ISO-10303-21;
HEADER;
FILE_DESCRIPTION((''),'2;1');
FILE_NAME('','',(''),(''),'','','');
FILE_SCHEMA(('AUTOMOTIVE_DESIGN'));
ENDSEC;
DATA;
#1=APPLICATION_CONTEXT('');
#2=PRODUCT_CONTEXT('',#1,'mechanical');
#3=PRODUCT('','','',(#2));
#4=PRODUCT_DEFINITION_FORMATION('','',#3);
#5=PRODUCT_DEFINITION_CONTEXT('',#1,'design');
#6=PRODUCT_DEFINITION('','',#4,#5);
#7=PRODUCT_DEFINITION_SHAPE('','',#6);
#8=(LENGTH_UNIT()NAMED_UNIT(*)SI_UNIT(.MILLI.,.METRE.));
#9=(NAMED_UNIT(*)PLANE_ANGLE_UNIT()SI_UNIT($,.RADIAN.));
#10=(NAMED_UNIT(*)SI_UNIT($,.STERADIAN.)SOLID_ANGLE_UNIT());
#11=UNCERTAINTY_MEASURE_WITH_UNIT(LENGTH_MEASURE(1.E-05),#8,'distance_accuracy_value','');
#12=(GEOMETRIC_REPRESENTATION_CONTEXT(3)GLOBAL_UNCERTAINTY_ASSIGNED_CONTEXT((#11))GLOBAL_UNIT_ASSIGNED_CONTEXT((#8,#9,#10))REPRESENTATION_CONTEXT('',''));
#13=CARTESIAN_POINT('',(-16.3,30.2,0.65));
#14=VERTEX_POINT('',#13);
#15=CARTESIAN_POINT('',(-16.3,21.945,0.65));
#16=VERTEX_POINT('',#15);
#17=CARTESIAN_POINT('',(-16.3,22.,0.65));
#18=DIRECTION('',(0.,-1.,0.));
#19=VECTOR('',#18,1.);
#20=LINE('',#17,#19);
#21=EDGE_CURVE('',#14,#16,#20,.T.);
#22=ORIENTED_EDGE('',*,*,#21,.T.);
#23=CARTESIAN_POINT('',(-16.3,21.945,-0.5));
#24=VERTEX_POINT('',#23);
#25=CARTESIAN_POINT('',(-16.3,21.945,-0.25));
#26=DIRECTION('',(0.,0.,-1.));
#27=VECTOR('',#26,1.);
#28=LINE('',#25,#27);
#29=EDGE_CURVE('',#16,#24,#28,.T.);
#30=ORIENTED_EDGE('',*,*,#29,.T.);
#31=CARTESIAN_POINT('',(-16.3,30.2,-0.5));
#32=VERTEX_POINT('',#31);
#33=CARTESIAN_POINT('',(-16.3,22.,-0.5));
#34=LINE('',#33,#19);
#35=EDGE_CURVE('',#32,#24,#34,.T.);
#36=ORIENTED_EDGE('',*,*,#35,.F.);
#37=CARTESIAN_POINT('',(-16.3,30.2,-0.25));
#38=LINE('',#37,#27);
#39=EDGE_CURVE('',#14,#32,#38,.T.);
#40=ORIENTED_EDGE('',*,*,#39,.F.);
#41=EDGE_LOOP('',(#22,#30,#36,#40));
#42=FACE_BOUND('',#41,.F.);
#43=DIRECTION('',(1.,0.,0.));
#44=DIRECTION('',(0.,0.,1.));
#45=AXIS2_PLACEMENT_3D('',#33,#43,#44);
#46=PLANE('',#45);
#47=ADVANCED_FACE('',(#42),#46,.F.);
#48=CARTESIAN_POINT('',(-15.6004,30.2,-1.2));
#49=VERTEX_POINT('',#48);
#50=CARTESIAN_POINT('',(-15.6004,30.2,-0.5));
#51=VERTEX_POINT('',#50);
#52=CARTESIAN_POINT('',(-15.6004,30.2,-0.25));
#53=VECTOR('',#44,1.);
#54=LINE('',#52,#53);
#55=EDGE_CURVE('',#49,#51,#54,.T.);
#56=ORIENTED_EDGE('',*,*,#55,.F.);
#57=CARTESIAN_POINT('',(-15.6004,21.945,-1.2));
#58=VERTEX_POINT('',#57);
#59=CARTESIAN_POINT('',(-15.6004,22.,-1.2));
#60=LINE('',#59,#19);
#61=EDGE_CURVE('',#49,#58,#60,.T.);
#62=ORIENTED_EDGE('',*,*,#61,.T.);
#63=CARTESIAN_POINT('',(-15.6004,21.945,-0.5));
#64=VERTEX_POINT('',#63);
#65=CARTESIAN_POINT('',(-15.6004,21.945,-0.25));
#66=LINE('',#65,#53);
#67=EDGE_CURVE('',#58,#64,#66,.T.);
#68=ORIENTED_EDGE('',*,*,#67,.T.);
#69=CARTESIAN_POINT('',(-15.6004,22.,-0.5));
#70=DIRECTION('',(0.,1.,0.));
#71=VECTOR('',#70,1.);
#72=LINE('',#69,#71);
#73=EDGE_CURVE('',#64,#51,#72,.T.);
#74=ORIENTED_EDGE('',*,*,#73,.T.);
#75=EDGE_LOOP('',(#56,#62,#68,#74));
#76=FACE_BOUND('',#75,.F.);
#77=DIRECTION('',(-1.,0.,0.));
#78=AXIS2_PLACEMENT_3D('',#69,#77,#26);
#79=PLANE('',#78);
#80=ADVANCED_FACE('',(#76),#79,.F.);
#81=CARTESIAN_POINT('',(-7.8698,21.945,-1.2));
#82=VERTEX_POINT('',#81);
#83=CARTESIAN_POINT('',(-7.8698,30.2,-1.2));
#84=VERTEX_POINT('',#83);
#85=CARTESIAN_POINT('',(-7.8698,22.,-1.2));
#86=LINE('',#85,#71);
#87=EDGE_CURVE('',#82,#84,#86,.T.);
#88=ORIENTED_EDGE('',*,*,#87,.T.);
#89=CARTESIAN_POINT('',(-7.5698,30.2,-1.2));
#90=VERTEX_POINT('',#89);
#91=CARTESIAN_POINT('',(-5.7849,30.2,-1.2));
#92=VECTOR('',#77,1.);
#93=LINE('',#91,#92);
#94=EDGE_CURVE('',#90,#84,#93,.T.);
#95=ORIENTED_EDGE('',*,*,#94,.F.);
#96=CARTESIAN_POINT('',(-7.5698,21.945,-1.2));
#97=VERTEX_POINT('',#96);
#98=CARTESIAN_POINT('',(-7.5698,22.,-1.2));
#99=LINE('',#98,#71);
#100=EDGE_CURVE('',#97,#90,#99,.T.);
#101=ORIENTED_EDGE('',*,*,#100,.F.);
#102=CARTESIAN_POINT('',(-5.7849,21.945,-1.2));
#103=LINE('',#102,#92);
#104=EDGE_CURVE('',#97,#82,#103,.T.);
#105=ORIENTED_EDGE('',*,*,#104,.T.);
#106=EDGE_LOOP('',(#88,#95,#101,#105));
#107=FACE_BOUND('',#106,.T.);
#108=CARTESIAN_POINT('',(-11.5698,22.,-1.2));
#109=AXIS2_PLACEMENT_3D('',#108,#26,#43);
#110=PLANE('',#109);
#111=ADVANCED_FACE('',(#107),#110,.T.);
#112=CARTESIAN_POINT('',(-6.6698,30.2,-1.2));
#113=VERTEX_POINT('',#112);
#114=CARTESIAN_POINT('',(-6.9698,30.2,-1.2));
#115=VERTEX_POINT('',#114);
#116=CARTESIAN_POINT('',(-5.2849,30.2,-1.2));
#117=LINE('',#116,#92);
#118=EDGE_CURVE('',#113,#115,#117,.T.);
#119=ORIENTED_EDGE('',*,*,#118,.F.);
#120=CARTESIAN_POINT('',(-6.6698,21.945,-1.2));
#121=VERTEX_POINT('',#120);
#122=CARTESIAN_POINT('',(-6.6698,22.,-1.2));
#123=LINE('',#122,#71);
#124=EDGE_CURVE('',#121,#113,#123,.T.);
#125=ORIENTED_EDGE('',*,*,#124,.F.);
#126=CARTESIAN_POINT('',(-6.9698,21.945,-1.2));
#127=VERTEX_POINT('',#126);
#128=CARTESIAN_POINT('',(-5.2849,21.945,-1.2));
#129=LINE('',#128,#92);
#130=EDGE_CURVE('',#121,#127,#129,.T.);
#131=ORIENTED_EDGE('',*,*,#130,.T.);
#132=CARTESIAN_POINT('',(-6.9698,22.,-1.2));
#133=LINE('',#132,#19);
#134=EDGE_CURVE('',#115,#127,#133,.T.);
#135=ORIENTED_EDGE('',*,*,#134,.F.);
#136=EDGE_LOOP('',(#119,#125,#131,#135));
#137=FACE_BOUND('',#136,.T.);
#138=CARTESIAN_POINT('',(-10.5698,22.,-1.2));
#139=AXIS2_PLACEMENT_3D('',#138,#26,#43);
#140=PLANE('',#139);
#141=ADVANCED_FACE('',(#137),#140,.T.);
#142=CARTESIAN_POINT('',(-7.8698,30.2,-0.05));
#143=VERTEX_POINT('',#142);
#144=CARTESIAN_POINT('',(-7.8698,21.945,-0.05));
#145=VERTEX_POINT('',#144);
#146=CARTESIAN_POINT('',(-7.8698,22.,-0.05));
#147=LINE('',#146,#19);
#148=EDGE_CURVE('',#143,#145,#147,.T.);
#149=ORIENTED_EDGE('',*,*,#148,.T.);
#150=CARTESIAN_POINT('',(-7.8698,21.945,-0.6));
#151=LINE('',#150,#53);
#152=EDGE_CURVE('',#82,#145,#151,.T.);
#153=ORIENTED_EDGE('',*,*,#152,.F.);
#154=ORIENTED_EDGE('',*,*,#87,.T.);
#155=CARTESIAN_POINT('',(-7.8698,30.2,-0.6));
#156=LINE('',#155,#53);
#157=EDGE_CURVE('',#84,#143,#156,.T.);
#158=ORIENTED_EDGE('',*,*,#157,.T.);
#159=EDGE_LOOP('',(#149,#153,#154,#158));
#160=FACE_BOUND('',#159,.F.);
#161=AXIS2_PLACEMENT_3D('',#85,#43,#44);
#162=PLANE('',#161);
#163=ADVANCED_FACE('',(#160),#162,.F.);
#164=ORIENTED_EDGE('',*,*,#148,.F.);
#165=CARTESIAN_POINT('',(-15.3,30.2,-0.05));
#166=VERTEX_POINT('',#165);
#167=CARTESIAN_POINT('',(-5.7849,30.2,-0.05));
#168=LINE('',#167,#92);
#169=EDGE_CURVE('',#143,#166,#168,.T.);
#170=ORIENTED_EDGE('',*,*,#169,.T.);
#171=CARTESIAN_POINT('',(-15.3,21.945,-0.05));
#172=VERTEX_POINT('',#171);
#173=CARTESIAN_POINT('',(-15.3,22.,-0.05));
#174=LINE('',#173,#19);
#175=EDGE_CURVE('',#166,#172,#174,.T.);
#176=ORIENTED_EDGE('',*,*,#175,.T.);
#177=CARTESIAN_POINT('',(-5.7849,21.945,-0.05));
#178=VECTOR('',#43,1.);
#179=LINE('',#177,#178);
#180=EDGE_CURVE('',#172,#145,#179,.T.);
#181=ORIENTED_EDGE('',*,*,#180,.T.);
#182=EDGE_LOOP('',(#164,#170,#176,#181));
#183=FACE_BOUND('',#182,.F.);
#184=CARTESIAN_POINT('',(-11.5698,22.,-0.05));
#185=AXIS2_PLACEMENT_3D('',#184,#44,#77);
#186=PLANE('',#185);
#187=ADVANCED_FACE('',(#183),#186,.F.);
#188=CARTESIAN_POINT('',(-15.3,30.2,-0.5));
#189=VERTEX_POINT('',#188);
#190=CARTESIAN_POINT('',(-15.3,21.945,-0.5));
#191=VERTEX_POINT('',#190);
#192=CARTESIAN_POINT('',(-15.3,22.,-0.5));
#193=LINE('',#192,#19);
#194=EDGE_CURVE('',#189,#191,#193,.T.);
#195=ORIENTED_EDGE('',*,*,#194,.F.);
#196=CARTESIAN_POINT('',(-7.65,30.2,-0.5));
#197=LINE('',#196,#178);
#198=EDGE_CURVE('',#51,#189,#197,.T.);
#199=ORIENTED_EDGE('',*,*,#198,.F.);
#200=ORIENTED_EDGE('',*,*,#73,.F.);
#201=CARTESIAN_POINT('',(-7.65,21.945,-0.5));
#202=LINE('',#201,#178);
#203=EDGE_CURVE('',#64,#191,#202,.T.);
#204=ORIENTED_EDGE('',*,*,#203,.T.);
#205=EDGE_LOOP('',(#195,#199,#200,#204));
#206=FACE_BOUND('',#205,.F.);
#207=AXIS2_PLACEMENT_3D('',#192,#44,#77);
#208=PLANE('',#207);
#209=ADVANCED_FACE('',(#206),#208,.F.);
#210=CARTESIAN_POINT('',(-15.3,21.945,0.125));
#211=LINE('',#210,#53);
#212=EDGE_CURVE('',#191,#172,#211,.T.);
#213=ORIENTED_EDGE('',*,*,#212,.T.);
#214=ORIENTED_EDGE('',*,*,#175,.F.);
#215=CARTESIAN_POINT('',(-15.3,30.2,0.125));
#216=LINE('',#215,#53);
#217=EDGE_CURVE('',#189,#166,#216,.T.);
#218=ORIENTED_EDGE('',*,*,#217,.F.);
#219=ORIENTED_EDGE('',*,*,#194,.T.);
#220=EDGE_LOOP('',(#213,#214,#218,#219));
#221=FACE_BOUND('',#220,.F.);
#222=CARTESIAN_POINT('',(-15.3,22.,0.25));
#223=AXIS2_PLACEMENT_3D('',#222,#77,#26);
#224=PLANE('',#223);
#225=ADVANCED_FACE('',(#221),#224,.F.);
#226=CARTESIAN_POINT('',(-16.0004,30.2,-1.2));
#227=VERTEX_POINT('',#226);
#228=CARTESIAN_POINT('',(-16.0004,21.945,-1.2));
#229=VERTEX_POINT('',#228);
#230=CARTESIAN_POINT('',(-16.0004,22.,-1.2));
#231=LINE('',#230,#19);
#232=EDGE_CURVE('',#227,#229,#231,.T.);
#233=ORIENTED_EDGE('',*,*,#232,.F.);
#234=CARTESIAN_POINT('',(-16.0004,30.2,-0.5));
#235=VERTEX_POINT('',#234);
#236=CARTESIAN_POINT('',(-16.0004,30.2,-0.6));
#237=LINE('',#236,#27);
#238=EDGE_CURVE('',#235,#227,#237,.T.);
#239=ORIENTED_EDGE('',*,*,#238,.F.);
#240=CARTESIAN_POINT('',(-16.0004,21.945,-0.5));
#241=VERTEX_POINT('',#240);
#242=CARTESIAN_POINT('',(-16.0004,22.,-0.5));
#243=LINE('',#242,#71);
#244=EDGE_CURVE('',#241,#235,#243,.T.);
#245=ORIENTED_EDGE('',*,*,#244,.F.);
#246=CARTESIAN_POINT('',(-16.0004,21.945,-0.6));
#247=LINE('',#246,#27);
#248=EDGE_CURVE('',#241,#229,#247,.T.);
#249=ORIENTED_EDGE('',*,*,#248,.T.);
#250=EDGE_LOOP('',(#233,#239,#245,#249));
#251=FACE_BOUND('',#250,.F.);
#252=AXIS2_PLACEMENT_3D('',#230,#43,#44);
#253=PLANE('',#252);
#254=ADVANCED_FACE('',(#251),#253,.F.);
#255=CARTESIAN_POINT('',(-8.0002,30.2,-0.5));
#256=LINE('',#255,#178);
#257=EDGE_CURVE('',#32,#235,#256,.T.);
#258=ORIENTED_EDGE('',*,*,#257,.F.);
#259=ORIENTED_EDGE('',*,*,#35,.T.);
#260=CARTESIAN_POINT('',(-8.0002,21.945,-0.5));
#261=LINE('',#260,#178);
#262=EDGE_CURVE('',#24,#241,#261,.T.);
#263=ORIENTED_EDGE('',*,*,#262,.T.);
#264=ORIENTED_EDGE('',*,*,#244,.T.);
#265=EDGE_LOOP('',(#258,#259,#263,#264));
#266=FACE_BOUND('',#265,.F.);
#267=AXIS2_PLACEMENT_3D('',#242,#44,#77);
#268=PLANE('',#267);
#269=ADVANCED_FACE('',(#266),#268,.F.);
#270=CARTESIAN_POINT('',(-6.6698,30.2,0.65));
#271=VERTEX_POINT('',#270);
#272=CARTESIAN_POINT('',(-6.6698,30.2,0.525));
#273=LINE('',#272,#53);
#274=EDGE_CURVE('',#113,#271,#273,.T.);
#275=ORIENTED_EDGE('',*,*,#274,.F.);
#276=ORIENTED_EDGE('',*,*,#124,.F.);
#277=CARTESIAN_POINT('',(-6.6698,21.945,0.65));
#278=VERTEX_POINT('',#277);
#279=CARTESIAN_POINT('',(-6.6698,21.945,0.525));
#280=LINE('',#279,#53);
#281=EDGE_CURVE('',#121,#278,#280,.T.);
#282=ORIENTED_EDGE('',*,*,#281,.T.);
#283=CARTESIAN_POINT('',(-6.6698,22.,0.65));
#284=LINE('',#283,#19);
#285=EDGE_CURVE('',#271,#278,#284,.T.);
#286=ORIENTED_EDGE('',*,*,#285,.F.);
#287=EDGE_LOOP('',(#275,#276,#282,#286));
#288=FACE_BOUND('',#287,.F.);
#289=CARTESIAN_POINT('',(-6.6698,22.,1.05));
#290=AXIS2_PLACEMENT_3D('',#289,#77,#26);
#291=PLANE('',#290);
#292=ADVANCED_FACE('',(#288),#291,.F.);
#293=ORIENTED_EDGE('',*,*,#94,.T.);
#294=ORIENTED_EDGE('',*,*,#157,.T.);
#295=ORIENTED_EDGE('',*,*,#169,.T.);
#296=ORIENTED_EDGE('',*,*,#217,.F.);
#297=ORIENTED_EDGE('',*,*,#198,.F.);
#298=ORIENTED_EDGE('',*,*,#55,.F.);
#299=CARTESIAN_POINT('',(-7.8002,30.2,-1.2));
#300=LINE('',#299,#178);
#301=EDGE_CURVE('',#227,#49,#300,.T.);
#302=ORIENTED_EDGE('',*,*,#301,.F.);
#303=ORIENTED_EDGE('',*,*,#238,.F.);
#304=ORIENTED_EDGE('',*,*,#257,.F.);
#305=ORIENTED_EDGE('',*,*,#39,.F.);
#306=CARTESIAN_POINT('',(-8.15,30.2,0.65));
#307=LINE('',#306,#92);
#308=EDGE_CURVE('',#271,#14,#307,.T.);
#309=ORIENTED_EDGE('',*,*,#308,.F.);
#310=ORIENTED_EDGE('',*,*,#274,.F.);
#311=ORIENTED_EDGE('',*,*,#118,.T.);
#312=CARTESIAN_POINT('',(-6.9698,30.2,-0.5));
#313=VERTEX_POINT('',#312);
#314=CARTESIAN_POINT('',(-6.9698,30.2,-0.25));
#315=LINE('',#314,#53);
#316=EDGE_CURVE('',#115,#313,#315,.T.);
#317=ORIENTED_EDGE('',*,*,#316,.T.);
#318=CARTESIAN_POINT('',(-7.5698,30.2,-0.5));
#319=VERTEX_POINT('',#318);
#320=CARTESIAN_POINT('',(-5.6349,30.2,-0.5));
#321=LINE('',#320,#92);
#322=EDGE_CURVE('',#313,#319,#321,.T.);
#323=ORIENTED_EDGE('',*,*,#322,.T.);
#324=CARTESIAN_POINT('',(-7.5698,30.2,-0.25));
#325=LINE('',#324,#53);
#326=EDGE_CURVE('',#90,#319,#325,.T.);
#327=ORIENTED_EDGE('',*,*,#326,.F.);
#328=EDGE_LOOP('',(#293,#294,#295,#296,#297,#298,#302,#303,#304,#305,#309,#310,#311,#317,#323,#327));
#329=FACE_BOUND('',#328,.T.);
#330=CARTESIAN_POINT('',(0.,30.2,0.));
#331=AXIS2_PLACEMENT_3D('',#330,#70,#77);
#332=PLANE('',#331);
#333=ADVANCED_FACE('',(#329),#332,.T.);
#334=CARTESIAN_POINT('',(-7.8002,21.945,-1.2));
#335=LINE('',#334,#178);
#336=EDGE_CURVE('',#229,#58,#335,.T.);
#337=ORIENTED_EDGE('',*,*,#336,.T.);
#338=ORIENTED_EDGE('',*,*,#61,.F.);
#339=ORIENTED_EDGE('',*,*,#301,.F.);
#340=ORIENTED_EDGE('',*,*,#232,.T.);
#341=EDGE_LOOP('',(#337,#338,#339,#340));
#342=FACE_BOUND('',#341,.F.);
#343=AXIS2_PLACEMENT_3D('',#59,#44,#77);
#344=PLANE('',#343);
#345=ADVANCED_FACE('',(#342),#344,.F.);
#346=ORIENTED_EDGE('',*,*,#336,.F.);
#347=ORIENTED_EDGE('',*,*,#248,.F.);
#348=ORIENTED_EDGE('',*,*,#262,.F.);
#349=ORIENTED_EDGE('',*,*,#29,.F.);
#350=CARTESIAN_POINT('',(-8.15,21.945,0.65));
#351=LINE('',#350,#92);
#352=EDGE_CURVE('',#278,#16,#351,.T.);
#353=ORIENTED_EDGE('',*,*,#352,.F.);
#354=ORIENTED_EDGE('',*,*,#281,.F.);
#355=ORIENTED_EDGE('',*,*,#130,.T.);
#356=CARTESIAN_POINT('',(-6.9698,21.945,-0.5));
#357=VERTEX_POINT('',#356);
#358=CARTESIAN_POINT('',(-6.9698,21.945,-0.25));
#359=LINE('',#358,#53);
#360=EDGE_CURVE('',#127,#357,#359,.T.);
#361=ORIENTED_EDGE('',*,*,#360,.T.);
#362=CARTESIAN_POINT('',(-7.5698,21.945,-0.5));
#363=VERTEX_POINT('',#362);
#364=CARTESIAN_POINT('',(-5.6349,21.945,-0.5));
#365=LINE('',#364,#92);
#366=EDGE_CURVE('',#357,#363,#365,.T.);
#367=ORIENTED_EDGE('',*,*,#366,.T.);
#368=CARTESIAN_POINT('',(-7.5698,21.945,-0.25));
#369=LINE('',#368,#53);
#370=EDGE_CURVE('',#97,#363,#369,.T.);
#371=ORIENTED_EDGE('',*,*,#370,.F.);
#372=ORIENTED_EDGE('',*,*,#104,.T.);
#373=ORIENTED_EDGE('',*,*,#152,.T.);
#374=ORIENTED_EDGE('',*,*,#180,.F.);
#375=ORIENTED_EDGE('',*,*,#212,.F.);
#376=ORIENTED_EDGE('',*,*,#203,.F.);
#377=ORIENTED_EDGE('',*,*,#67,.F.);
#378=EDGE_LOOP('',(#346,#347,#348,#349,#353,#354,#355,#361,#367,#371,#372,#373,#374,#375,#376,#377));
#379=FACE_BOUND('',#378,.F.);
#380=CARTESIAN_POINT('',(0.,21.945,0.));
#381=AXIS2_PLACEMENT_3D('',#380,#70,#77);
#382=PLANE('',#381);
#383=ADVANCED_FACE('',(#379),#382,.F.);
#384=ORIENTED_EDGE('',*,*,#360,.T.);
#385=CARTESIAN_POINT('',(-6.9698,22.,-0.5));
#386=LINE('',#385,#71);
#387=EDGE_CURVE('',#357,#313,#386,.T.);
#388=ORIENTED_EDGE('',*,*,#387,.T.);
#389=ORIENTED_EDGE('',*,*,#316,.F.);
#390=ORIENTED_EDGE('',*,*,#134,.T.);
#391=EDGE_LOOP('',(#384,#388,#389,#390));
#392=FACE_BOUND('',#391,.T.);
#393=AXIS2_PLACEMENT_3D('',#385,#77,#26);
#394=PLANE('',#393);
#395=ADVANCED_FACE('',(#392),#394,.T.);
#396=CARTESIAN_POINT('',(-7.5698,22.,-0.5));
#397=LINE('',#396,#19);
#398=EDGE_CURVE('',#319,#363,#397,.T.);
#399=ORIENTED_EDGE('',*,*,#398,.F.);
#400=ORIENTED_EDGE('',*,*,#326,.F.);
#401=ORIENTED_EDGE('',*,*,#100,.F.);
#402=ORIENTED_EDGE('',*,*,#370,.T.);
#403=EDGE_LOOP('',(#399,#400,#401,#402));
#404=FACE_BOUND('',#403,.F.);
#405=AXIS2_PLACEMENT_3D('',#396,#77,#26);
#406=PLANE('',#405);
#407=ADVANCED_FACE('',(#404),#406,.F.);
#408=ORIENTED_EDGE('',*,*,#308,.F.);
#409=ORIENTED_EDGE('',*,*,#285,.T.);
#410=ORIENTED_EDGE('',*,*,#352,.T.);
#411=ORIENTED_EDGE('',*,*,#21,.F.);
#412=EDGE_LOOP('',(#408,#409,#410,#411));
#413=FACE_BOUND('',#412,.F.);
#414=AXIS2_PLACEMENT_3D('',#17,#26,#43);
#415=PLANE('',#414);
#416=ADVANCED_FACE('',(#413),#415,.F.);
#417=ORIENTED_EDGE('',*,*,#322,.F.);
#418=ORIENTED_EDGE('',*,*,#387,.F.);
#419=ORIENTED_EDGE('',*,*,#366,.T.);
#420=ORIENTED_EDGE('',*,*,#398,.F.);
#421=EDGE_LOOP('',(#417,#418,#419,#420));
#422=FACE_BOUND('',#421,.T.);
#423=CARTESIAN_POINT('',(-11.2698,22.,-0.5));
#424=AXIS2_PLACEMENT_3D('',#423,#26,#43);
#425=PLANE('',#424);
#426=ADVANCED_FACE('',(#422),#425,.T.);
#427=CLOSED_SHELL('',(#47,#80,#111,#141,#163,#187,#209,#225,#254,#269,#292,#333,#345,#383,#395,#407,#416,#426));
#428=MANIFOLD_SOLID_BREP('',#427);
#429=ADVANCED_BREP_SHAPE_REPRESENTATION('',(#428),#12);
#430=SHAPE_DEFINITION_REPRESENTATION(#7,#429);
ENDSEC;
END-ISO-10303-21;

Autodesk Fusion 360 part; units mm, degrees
sketch "Sketch1" plane through (0, 22, 0) normal (0, 1, 0) x (-1, 0, 0)
  line L0 (11.5698, 0.25) -> (15.3, 0.25)
  line L1 (15.3, 0.25) -> (15.3, -0.5)
  line L2 (15.3, -0.5) -> (15.6004, -0.5)
  line L3 (15.6004, -0.5) -> (15.6004, -1.2)
  line L4 (15.6004, -1.2) -> (16.0004, -1.2)
  line L5 (16.0004, -1.2) -> (16.0004, -0.5)
  line L6 (16.0004, -0.5) -> (16.3, -0.5)
  line L7 (16.3, -0.5) -> (16.3, 1.05)
  line L8 (16.3, 1.05) -> (5, 1.05)
  line L9 (11.5698, -1.2) -> (11.5698, 0.25)
  line L10 (11.5698, -0.6208) -> (11.2698, -0.6208) construction
  line L11 (11.2698, -0.5) -> (11.2698, -1.2)
  line L12 (11.2698, -0.5) -> (10.5698, -0.5)
  line L13 (10.5698, -0.5) -> (10.5698, -1.2)
  line L14 (10.5698, -0.678) -> (10.2698, -0.678) construction
  line L15 (10.2698, 1.05) -> (10.2698, -1.2)
  line L16 (10.2698, 1.05) -> (16.3, 1.05)
  line L17 (16.3, -0.5) -> (16.0004, -0.5)
  line L18 (16.0004, -1.2) -> (15.6004, -1.2)
  line L19 (15.6004, -0.5) -> (15.3, -0.5)
  line L20 (15.3, 0.25) -> (11.5698, 0.25)
  line L21 (11.5698, -1.2) -> (11.2698, -1.2)
  line L22 (11.5698, -1.2) -> (11.2698, -1.2)
  line L23 (11.2698, -0.5) -> (10.5698, -0.5)
  line L24 (10.5698, -1.2) -> (10.2698, -1.2)
  line L25 (10.2698, 1.05) -> (16.3, 1.05)
  line L26 (16.3, -0.5) -> (16.0004, -0.5)
  line L27 (16.0004, -1.2) -> (15.6004, -1.2)
  line L28 (15.6004, -0.5) -> (15.3, -0.5)
  line L29 (15.3, 0.25) -> (11.5698, 0.25)
  dimension "d14" = 0.3
  dimension "d15" = 0.7
  dimension "d16" = 0.3
extrude "Extrude1" add sketch "Sketch1" along normal blind 8.2 makes body 1
copy_body "Body->Comp1" bodies 1 removing the originals makes body 2 in component "Component"
move_face "OffsetFaces1" offset 0.3 1 faces at (-12.8132, 24.7333, 0.25) on bodies 2 in component "Component"
move_face "OffsetFaces2" offset -0.4 1 faces at (-12.2798, 27.4667, 1.05) on bodies 2 in component "Component"
move_face "OffsetFaces3" offset 3.3 1 faces at (-10.2698, 24.7333, 0.0333) on bodies 2 in component "Component"
move_face "OffsetFaces4" offset -3.3 1 faces at (-10.5698, 24.7333, -0.7333) on bodies 2 in component "Component"
move_face "OffsetFaces5" offset 3.3 1 faces at (-11.2698, 24.7333, -0.7333) on bodies 2 in component "Component"
move_face "OffsetFaces6" offset -3.3 1 faces at (-11.5698, 27.4667, -0.8167) on bodies 2 in component "Component"
move_face "OffsetFaces7" offset -4.2 1 faces at (-10.5132, 22, 0.4167) on bodies 2 in component "Component"
move_face "OffsetFaces8" offset -0.1 1 faces at (-8.2698, 28.8667, -0.4333) on bodies 2 in component "Component"
move_face "OffsetFaces9" offset 0.1 1 faces at (-7.9698, 27.5333, -0.7333) on bodies 2 in component "Component"
move_face "OffsetFaces10" offset 4.255 1 faces at (-10.4798, 26.2, 0.4167) on bodies 2 in component "Component"
move_face "OffsetFaces11" offset 0.3 1 faces at (-6.9698, 24.6967, 0.0333) on bodies 2 in component "Component"
move_face "OffsetFaces12" offset 0.3 1 faces at (-7.8698, 24.6967, -0.7333) on bodies 2 in component "Component"
move_face "OffsetFaces13" offset -0.3 1 faces at (-7.2698, 24.6967, -0.7333) on bodies 2 in component "Component"
move_face "OffsetFaces14" offset -0.3 1 faces at (-8.1698, 24.6967, -0.8167) on bodies 2 in component "Component"
component "Component" placed x (1, 0, 0) y (0, 1, 0) z (0, 0, 1) at (0, 0, 0)
